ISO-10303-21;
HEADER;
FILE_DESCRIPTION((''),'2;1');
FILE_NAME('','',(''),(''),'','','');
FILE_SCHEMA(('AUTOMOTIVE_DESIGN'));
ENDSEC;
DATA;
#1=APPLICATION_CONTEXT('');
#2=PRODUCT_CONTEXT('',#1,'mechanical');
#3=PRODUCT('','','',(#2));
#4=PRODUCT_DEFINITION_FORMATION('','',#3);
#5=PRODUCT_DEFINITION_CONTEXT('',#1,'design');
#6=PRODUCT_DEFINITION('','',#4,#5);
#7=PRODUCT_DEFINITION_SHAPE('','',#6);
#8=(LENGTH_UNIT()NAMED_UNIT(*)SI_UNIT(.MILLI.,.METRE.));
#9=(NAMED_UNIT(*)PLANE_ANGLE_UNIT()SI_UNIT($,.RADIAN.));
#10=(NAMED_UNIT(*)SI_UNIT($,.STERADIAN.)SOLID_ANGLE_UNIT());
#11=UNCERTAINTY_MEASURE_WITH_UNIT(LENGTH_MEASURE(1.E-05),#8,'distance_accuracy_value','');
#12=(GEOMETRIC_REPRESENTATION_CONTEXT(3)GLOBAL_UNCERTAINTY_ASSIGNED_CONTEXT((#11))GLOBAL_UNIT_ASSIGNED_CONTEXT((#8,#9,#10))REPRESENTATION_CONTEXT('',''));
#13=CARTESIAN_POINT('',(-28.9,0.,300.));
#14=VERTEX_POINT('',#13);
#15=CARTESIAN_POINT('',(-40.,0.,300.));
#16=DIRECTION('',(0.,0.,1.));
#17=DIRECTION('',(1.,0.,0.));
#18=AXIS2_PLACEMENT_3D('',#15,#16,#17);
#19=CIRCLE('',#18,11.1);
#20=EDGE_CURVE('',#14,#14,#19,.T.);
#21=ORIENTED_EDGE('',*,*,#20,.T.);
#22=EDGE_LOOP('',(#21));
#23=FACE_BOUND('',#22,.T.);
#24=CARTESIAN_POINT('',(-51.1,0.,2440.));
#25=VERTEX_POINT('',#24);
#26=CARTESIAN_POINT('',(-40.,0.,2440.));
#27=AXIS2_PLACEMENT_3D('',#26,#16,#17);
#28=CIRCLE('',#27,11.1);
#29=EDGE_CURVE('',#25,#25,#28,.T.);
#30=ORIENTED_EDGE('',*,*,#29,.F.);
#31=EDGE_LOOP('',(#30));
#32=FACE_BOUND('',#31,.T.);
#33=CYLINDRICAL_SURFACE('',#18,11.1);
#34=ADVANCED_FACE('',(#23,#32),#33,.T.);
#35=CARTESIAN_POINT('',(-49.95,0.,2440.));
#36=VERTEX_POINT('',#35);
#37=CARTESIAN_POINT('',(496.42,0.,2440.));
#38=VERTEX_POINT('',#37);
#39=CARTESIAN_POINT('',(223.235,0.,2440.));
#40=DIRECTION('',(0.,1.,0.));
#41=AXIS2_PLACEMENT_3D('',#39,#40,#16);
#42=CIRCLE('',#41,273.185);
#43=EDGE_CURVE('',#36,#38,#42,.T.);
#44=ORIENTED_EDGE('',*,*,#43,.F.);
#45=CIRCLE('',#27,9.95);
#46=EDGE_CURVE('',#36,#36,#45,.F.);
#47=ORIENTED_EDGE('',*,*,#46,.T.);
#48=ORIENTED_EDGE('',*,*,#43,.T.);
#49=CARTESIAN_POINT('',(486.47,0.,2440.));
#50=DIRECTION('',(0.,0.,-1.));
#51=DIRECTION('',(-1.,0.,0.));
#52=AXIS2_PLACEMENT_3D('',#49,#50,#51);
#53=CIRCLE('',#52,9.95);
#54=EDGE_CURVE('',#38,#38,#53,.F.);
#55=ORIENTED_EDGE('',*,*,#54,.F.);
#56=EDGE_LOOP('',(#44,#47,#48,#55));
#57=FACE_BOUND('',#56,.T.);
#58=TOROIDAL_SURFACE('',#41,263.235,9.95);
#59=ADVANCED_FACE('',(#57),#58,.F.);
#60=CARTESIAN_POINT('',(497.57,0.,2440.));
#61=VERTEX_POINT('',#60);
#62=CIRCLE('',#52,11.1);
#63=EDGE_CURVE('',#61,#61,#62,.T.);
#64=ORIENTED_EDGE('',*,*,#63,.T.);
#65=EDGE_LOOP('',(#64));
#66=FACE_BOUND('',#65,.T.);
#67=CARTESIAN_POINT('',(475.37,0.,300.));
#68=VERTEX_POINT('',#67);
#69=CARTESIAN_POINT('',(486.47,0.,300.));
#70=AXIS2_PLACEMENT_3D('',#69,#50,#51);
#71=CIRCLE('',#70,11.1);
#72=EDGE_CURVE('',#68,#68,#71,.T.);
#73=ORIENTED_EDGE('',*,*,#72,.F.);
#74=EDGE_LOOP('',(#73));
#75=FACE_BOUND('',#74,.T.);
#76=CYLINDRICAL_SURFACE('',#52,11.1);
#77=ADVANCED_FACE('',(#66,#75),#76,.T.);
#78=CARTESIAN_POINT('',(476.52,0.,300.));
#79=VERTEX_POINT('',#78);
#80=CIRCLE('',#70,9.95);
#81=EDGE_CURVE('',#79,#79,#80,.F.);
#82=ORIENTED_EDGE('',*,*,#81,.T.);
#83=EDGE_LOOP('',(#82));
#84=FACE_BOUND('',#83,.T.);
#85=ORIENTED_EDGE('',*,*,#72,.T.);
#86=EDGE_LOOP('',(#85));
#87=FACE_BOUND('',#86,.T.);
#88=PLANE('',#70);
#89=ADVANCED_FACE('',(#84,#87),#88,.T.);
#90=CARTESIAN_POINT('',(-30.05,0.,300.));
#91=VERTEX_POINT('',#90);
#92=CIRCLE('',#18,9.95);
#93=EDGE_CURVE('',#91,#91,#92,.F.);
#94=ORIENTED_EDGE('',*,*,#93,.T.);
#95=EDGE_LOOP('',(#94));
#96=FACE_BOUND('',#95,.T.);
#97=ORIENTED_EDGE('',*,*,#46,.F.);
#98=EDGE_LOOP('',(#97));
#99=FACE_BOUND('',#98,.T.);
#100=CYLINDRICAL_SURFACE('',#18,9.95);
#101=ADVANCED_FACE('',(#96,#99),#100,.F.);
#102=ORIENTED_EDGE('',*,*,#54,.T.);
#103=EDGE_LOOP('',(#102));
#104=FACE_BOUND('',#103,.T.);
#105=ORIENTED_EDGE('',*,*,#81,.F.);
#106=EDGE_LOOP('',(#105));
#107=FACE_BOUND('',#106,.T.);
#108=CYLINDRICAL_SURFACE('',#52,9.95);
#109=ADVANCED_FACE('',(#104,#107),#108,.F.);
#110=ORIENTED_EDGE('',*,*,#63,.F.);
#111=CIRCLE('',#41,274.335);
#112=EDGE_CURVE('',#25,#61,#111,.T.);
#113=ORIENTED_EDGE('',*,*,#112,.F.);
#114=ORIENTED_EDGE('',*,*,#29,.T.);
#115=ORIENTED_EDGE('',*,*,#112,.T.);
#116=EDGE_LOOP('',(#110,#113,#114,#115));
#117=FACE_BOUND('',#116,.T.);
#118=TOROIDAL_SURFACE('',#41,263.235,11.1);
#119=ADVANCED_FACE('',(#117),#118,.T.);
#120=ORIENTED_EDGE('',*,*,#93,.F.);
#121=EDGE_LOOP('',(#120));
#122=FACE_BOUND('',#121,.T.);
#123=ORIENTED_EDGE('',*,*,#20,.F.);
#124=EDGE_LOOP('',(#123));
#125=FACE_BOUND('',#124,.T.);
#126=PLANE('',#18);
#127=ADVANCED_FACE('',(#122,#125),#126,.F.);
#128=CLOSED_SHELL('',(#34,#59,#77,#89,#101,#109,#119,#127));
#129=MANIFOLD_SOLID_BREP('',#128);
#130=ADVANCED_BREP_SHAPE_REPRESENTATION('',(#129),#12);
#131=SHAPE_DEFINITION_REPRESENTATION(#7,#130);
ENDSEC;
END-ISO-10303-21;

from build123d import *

# Parameters (mm, degrees)
SKETCH2_R   = 11.1
SKETCH2_R_2 = 9.95


with BuildPart() as part:
    # Sweep1: sweep along a path in Sketch1
    with BuildLine(Plane(origin=(0, 0, 0), x_dir=(1, 0, 0), z_dir=(0, 1, 0))) as sweep1_path:
        Line((486.47, -300), (486.47, -2440))
        ThreePointArc((486.47, -2440), (223.235, -2703.235), (-40, -2440))
        Line((-40, -2440), (-40, -300))
    # Sketch2 → Sweep1 (sweep)
    with BuildSketch(Plane(origin=(486.47, 0, 300), x_dir=(-1, 0, 0), z_dir=(0, 0, -1))):
        Circle(SKETCH2_R)
        Circle(SKETCH2_R_2, mode=Mode.SUBTRACT)
    sweep(path=sweep1_path.line)


solid = part.part
